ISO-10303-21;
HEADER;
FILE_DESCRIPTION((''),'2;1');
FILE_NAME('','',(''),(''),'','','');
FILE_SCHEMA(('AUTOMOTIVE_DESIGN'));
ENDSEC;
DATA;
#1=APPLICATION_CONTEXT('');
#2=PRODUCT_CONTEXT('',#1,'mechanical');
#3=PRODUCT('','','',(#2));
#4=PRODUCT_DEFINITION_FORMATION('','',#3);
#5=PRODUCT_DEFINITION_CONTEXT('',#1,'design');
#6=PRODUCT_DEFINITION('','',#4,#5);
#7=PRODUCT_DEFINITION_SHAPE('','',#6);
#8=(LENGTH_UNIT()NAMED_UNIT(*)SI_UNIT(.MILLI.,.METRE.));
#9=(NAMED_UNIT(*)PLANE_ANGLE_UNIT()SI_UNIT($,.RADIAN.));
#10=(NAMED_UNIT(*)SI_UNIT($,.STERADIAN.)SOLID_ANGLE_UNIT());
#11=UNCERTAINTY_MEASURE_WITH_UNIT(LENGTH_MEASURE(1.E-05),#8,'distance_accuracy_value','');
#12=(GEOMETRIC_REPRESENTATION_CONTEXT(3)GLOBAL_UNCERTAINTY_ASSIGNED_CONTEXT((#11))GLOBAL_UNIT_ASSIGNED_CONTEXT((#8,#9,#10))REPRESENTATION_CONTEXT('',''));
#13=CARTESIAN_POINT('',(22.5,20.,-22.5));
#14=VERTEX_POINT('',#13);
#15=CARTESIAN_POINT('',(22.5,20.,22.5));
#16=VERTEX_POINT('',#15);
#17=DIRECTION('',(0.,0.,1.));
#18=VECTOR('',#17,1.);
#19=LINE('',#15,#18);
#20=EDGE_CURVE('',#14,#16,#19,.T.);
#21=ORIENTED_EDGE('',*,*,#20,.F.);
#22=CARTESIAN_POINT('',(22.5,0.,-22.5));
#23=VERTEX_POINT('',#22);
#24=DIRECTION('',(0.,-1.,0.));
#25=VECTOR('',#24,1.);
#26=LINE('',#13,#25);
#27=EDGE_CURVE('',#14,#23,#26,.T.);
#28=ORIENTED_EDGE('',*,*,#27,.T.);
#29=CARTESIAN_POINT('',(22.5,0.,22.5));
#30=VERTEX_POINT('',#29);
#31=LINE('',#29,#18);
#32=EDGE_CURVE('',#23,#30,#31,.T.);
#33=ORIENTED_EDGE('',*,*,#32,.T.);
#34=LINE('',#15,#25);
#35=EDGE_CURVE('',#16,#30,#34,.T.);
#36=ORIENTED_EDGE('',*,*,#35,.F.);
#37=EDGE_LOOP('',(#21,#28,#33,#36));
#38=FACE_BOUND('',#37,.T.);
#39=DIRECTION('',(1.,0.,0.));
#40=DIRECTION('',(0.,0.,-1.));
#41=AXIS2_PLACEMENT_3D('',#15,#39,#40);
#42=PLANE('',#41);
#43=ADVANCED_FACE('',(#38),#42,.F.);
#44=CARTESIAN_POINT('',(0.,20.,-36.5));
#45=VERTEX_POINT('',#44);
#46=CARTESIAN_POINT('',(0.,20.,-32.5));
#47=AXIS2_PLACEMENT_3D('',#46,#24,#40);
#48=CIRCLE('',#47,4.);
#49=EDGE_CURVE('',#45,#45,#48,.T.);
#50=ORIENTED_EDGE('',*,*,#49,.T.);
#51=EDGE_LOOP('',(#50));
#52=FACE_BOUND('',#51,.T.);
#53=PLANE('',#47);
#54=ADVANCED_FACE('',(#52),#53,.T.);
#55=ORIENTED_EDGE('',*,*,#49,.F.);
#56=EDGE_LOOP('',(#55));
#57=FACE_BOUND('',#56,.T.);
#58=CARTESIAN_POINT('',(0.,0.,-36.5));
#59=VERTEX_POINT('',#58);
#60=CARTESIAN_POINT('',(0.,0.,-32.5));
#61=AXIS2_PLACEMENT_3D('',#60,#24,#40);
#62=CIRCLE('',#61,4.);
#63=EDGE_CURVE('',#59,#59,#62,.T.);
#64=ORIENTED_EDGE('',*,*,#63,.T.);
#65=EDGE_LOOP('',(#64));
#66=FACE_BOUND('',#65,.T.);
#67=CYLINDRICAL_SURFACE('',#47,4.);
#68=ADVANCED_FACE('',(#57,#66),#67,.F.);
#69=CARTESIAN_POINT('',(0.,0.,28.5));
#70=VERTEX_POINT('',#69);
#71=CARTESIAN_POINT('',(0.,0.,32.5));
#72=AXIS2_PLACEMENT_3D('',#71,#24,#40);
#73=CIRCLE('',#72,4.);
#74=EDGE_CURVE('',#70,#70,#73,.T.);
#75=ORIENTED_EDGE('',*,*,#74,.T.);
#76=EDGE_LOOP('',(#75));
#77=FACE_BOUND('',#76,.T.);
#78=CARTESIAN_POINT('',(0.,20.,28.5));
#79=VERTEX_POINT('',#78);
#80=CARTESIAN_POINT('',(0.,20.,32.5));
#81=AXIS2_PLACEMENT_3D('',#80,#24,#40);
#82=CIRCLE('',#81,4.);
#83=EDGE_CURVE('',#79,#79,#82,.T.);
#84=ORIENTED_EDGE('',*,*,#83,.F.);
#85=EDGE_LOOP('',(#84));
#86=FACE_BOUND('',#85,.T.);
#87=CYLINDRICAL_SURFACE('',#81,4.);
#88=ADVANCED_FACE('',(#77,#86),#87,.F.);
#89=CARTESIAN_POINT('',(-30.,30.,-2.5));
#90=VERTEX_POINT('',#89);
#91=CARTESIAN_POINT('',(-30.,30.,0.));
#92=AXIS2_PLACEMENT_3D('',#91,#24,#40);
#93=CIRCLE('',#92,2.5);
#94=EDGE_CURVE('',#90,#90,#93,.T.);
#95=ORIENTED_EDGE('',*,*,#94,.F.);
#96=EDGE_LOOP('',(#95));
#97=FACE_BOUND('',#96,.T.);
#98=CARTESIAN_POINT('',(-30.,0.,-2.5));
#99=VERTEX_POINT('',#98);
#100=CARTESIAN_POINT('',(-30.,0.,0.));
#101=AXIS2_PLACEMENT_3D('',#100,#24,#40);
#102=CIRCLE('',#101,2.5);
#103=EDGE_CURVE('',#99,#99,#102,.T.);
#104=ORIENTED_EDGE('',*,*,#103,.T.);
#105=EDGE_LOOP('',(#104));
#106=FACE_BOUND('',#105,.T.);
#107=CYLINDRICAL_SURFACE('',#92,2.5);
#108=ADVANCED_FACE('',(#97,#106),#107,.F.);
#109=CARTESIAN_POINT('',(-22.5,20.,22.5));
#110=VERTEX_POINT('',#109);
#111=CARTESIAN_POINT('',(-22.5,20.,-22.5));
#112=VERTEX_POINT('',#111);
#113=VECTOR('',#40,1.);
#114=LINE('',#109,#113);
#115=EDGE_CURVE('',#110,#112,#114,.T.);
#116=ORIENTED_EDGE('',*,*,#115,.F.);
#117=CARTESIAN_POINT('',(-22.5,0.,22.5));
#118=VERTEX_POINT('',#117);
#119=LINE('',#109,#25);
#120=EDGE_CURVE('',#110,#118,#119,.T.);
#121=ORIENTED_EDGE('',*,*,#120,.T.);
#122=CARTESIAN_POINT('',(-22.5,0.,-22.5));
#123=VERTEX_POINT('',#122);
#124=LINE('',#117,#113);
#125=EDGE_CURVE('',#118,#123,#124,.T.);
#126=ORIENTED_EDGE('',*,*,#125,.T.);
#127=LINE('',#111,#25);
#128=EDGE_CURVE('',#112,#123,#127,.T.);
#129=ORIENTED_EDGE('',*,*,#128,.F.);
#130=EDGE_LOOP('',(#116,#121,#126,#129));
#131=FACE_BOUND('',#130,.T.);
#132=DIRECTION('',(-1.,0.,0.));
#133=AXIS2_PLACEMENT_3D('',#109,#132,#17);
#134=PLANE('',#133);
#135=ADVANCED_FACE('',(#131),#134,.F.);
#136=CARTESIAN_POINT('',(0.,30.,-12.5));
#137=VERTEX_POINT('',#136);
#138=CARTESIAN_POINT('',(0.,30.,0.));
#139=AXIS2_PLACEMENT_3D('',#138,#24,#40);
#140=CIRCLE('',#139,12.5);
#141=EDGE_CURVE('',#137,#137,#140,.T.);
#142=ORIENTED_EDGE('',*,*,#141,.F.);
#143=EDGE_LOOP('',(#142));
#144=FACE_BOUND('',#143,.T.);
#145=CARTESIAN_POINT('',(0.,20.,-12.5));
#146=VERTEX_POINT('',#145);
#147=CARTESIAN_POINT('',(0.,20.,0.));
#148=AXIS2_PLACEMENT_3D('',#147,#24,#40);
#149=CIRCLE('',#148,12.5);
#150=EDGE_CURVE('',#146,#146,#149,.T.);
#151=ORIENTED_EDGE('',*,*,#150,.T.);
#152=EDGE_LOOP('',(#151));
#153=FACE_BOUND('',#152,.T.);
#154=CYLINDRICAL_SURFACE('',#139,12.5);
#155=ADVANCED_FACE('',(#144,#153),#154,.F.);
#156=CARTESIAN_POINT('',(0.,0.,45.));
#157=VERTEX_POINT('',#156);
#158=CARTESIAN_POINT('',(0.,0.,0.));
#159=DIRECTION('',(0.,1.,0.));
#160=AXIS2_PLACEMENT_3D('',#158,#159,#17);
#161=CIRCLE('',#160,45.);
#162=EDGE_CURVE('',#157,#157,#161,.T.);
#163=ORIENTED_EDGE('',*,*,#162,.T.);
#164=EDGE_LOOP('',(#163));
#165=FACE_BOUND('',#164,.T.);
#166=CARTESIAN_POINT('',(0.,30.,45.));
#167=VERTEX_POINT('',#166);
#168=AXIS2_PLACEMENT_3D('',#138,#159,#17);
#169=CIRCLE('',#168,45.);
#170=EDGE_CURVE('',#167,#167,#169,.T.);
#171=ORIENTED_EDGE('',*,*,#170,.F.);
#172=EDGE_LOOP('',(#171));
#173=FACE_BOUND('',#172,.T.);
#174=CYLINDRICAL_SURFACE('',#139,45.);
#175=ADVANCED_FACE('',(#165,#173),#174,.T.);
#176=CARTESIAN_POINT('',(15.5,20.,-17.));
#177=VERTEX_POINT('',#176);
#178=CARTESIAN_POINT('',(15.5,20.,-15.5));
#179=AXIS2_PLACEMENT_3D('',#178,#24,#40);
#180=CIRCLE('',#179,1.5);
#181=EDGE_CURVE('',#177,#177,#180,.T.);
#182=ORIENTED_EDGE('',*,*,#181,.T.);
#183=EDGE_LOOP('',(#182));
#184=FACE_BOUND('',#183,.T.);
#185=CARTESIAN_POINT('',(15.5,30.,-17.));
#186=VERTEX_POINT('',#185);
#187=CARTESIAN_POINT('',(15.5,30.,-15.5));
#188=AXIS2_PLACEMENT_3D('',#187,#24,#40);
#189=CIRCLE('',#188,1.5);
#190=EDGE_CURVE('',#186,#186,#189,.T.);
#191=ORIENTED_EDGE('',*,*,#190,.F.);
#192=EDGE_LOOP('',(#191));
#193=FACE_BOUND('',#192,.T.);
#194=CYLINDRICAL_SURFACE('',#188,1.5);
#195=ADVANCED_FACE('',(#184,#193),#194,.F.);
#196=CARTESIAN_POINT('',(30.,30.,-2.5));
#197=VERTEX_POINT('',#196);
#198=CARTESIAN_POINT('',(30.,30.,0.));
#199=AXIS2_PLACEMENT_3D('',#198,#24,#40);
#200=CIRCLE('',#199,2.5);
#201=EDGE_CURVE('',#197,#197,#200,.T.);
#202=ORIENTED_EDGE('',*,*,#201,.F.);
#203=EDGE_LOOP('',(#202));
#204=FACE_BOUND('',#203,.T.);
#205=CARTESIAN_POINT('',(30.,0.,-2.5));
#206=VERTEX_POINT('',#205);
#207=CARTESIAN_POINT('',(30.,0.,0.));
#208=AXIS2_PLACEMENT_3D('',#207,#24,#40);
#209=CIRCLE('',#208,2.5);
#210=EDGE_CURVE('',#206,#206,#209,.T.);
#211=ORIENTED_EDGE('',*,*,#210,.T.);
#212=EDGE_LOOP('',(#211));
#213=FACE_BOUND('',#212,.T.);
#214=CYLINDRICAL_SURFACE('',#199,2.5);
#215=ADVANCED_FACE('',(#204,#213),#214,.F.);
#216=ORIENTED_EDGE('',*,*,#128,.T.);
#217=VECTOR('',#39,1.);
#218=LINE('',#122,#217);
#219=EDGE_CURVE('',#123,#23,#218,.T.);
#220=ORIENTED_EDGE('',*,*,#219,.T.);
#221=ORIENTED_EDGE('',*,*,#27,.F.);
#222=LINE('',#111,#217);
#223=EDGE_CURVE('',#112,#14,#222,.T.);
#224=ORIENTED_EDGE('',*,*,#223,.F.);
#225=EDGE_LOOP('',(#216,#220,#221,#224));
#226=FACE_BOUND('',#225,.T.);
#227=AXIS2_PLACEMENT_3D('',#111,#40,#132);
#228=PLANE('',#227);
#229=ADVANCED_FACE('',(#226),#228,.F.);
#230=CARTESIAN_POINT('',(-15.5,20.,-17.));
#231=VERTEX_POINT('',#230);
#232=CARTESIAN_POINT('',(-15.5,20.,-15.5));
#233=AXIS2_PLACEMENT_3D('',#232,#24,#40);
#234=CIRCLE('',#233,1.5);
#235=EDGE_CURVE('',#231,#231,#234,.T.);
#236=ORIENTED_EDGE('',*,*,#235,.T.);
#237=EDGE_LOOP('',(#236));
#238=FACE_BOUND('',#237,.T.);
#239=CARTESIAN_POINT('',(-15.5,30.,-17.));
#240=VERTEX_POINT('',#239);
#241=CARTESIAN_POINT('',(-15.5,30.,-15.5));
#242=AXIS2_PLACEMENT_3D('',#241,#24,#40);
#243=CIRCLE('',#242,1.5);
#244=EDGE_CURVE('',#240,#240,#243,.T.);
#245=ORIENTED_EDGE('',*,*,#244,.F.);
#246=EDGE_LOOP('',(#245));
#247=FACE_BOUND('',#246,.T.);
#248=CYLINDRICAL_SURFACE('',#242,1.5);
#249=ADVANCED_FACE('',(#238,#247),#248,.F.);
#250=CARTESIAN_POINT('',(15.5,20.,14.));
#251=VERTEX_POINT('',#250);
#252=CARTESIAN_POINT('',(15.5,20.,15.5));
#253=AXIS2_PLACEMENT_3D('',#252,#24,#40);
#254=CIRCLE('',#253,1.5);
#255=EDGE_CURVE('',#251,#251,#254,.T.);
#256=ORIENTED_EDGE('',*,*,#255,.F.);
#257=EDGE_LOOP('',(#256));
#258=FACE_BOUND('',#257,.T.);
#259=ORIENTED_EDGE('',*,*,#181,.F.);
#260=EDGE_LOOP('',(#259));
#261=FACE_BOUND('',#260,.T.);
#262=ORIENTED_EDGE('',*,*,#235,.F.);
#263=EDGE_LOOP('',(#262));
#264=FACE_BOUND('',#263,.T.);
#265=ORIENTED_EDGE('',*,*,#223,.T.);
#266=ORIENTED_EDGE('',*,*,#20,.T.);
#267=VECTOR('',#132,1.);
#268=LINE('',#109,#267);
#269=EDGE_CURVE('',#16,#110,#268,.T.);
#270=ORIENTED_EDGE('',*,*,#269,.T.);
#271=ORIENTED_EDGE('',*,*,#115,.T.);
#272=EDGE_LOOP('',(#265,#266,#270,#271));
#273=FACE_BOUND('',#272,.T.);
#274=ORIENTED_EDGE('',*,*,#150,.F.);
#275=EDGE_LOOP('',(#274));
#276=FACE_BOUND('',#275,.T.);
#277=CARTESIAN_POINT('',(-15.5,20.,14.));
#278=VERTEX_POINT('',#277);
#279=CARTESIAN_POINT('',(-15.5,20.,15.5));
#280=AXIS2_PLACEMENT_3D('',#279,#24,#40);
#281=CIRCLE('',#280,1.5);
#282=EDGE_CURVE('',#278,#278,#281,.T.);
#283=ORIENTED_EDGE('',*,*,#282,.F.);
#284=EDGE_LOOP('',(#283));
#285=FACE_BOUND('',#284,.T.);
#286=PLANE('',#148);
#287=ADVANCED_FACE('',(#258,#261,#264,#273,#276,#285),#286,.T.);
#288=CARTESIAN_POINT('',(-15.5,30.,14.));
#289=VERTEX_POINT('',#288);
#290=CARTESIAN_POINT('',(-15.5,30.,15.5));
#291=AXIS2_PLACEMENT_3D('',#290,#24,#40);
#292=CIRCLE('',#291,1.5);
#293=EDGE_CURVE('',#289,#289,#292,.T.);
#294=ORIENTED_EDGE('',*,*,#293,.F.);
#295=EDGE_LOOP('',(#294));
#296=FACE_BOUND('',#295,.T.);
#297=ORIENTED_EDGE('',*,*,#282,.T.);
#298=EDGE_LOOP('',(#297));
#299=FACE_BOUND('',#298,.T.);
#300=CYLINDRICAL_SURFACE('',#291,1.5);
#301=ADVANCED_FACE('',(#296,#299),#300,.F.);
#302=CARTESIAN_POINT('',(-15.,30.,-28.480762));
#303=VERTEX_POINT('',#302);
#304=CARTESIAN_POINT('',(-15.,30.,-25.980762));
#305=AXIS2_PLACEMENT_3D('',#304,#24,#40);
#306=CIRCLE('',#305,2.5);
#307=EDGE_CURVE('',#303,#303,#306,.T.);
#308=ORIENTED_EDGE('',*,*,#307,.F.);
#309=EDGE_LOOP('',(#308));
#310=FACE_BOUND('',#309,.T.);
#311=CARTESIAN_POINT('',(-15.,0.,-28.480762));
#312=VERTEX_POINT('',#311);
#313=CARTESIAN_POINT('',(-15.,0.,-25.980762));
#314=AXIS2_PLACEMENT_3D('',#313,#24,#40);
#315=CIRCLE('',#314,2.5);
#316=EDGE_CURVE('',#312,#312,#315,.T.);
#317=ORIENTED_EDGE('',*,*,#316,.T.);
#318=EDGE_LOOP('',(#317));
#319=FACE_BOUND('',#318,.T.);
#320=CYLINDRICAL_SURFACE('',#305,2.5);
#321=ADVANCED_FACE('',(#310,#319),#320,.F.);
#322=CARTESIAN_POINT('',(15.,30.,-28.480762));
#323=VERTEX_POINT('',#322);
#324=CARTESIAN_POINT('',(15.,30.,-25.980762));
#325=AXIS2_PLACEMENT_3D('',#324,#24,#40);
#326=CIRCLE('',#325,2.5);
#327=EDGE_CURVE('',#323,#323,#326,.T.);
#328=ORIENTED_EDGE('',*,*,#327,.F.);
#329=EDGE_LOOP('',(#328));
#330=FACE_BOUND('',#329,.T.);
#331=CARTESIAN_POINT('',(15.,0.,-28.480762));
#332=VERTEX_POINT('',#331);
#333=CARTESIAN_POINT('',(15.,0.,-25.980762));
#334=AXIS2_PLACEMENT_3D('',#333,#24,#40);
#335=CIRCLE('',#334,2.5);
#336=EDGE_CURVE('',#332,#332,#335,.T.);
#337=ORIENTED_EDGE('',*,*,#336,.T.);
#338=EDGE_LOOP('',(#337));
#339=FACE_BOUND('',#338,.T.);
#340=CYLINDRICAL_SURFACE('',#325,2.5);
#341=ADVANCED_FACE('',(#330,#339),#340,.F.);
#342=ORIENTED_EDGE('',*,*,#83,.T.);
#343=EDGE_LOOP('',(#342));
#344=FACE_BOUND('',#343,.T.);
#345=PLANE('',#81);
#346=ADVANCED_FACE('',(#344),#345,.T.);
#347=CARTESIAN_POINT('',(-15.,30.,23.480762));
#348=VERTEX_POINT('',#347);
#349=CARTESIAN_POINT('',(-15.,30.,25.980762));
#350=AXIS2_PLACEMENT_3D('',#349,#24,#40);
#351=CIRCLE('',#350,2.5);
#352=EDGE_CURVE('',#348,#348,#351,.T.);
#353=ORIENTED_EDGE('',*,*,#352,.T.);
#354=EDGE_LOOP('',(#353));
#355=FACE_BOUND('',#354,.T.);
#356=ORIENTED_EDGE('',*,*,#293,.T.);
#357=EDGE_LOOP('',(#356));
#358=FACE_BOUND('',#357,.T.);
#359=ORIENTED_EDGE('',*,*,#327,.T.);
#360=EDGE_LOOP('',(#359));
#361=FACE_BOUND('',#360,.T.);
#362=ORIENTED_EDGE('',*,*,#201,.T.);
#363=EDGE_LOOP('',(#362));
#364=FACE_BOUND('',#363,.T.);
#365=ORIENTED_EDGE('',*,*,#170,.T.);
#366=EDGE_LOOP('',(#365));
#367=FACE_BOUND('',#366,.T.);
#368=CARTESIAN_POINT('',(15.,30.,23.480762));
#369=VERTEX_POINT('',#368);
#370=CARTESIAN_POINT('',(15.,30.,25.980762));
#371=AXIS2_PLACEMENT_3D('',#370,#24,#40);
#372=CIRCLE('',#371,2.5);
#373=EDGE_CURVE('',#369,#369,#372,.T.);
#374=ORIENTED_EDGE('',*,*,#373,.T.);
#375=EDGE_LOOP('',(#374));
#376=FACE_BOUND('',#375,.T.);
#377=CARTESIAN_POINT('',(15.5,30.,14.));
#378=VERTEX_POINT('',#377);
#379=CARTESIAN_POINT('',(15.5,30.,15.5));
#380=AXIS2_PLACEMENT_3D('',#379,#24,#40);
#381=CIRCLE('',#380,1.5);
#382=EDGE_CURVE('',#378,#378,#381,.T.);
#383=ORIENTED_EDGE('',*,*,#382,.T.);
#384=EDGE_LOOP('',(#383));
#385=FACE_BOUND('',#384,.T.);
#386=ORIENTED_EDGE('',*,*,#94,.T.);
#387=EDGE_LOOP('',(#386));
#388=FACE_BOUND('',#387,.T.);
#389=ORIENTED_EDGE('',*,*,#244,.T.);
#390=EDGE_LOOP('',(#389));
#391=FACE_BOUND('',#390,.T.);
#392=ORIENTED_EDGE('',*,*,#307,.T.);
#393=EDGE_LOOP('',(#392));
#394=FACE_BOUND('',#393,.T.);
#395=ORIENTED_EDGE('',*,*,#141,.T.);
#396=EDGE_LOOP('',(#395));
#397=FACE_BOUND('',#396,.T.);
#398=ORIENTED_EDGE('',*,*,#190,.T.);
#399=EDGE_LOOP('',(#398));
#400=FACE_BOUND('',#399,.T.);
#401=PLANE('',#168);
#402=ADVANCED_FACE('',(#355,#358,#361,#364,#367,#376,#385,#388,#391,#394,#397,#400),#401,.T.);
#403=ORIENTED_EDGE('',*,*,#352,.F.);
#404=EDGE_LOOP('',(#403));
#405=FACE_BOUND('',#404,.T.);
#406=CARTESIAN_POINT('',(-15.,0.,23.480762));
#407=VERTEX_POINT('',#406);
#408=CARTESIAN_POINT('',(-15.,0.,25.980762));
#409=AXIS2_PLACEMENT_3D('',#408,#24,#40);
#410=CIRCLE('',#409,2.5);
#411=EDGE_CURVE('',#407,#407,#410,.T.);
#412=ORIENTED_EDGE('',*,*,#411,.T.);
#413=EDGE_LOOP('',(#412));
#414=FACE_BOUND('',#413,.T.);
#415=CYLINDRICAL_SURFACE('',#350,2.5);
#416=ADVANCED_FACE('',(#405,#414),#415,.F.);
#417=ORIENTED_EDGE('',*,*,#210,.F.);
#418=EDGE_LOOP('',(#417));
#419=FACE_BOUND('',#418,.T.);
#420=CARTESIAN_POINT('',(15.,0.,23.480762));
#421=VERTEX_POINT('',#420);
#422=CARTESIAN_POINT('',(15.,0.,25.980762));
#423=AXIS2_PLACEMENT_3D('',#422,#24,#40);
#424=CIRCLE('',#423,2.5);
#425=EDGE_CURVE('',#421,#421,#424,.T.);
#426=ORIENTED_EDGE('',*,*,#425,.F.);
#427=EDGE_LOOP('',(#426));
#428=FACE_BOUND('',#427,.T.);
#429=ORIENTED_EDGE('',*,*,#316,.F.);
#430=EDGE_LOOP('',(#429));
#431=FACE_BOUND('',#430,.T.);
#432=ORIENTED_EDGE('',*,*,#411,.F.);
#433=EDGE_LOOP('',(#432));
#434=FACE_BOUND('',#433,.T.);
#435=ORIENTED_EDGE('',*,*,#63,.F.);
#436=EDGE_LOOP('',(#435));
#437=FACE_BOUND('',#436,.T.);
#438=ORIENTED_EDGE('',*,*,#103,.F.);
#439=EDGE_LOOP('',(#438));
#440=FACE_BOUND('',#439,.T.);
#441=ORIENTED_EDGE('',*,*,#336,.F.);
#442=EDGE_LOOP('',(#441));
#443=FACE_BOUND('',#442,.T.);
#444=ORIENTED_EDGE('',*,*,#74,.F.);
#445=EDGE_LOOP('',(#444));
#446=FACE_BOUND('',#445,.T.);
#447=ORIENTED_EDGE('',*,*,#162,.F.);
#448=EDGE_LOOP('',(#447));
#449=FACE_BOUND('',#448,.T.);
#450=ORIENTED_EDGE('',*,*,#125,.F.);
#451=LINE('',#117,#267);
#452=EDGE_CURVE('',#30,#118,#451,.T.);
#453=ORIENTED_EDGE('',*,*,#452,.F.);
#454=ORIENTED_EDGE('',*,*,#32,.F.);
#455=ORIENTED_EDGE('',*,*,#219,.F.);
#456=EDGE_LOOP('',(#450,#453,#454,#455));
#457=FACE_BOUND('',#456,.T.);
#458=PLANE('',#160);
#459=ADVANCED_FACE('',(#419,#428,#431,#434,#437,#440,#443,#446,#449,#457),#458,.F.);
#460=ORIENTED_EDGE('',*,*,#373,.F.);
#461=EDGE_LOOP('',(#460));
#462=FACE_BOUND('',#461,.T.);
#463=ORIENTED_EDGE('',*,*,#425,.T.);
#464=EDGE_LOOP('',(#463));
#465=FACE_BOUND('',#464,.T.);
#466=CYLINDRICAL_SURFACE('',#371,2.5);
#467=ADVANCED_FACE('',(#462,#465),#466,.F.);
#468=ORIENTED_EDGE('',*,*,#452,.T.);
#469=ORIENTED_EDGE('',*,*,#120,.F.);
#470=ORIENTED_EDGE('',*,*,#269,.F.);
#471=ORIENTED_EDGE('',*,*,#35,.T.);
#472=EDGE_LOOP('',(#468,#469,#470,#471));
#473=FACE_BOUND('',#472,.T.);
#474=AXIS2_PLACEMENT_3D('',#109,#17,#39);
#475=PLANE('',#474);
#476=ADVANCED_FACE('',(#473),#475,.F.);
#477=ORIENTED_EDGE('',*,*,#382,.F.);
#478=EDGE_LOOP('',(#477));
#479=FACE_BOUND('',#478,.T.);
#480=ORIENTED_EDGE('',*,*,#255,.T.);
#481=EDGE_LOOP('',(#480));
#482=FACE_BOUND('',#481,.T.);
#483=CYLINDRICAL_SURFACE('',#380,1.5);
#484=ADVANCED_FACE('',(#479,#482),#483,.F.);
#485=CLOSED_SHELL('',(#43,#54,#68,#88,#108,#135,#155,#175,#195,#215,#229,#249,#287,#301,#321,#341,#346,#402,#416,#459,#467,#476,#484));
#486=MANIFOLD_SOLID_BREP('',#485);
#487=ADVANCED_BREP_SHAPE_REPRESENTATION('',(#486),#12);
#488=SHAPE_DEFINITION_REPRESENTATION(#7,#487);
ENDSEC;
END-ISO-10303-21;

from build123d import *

# Parameters (mm, degrees)
SKETCH1_R           = 45
BOSS_EXTRUDE1_DEPTH = 30
SKETCH2_R           = 4
CUT_EXTRUDE1_DEPTH  = 20
SKETCH4_R           = 2.5
CUT_EXTRUDE2_DEPTH  = 30
SKETCH5_W           = 45
SKETCH5_H           = 45
CUT_EXTRUDE3_DEPTH  = 20
SKETCH6_R           = 12.5
CUT_EXTRUDE4_DEPTH  = 10


with BuildPart() as part:
    # Sketch1 → Boss-Extrude1 (new body)
    with BuildSketch(Plane(origin=(0, 0, 0), x_dir=(1, 0, 0), z_dir=(0, 1, 0))):
        Circle(SKETCH1_R)
    extrude(amount=BOSS_EXTRUDE1_DEPTH)

    # Sketch2 → Cut-Extrude1 (cut)
    with BuildSketch(Plane.XZ):
        with Locations((0, 32.5)):
            Circle(SKETCH2_R)
        with Locations((0, -32.5)):
            Circle(SKETCH2_R)
    extrude(amount=-CUT_EXTRUDE1_DEPTH, mode=Mode.SUBTRACT)

    # Sketch4 → Cut-Extrude2 (cut)
    with BuildSketch(Plane(origin=(0, 0, 0), x_dir=(-1, 0, 0), z_dir=(0, -1, 0))):
        with Locations((-30, 0)):
            Circle(SKETCH4_R)
        with Locations((-15, 25.980762114)):
            Circle(SKETCH4_R)
        with Locations((15, 25.980762114)):
            Circle(SKETCH4_R)
        with Locations((30, 0)):
            Circle(SKETCH4_R)
        with Locations((15, -25.980762114)):
            Circle(SKETCH4_R)
        with Locations((-15, -25.980762114)):
            Circle(SKETCH4_R)
    extrude(amount=-CUT_EXTRUDE2_DEPTH, mode=Mode.SUBTRACT)

    # Sketch5 → Cut-Extrude3 (cut)
    with BuildSketch(Plane(origin=(0, 0, 0), x_dir=(-1, 0, 0), z_dir=(0, -1, 0))):
        Rectangle(SKETCH5_W, SKETCH5_H)
    extrude(amount=-CUT_EXTRUDE3_DEPTH, mode=Mode.SUBTRACT)

    # Sketch6 → Cut-Extrude4 (cut)
    with BuildSketch(Plane.XZ.offset(-20)):
        with BuildLine():
            Line((-15.5, 14), (-15.5, 15.5))
            Line((-15.5, 15.5), (-14, 15.5))
            ThreePointArc((-14, 15.5), (-16.560660172, 16.560660172), (-15.5, 14))
        make_face()
        with BuildLine():
            Line((-14, 15.5), (-15.5, 15.5))
            Line((-15.5, 15.5), (-15.5, 14))
            ThreePointArc((-15.5, 14), (-14.439339828, 14.439339828), (-14, 15.5))
        make_face()
        with BuildLine():
            ThreePointArc((17, 15.5), (15.5, 17), (14, 15.5))
            Line((14, 15.5), (15.5, 15.5))
            Line((15.5, 15.5), (15.5, 14))
            ThreePointArc((15.5, 14), (16.560660172, 14.439339828), (17, 15.5))
        make_face()
        with BuildLine():
            Line((15.5, 15.5), (14, 15.5))
            ThreePointArc((14, 15.5), (14.439339828, 14.439339828), (15.5, 14))
            Line((15.5, 14), (15.5, 15.5))
        make_face()
        Circle(SKETCH6_R)
        with BuildLine():
            ThreePointArc((17, -15.5), (16.560660172, -14.439339828), (15.5, -14))
            Line((15.5, -14), (15.5, -15.5))
            Line((15.5, -15.5), (14, -15.5))
            ThreePointArc((14, -15.5), (15.5, -17), (17, -15.5))
        make_face()
        with BuildLine():
            Line((15.5, -15.5), (15.5, -14))
            ThreePointArc((15.5, -14), (14.439339828, -14.439339828), (14, -15.5))
            Line((14, -15.5), (15.5, -15.5))
        make_face()
        with BuildLine():
            ThreePointArc((-14, -15.5), (-14.439339828, -14.439339828), (-15.5, -14))
            Line((-15.5, -14), (-15.5, -15.5))
            Line((-15.5, -15.5), (-14, -15.5))
        make_face()
        with BuildLine():
            Line((-15.5, -15.5), (-15.5, -14))
            ThreePointArc((-15.5, -14), (-16.560660172, -16.560660172), (-14, -15.5))
            Line((-14, -15.5), (-15.5, -15.5))
        make_face()
    extrude(amount=-CUT_EXTRUDE4_DEPTH, mode=Mode.SUBTRACT)


solid = part.part
